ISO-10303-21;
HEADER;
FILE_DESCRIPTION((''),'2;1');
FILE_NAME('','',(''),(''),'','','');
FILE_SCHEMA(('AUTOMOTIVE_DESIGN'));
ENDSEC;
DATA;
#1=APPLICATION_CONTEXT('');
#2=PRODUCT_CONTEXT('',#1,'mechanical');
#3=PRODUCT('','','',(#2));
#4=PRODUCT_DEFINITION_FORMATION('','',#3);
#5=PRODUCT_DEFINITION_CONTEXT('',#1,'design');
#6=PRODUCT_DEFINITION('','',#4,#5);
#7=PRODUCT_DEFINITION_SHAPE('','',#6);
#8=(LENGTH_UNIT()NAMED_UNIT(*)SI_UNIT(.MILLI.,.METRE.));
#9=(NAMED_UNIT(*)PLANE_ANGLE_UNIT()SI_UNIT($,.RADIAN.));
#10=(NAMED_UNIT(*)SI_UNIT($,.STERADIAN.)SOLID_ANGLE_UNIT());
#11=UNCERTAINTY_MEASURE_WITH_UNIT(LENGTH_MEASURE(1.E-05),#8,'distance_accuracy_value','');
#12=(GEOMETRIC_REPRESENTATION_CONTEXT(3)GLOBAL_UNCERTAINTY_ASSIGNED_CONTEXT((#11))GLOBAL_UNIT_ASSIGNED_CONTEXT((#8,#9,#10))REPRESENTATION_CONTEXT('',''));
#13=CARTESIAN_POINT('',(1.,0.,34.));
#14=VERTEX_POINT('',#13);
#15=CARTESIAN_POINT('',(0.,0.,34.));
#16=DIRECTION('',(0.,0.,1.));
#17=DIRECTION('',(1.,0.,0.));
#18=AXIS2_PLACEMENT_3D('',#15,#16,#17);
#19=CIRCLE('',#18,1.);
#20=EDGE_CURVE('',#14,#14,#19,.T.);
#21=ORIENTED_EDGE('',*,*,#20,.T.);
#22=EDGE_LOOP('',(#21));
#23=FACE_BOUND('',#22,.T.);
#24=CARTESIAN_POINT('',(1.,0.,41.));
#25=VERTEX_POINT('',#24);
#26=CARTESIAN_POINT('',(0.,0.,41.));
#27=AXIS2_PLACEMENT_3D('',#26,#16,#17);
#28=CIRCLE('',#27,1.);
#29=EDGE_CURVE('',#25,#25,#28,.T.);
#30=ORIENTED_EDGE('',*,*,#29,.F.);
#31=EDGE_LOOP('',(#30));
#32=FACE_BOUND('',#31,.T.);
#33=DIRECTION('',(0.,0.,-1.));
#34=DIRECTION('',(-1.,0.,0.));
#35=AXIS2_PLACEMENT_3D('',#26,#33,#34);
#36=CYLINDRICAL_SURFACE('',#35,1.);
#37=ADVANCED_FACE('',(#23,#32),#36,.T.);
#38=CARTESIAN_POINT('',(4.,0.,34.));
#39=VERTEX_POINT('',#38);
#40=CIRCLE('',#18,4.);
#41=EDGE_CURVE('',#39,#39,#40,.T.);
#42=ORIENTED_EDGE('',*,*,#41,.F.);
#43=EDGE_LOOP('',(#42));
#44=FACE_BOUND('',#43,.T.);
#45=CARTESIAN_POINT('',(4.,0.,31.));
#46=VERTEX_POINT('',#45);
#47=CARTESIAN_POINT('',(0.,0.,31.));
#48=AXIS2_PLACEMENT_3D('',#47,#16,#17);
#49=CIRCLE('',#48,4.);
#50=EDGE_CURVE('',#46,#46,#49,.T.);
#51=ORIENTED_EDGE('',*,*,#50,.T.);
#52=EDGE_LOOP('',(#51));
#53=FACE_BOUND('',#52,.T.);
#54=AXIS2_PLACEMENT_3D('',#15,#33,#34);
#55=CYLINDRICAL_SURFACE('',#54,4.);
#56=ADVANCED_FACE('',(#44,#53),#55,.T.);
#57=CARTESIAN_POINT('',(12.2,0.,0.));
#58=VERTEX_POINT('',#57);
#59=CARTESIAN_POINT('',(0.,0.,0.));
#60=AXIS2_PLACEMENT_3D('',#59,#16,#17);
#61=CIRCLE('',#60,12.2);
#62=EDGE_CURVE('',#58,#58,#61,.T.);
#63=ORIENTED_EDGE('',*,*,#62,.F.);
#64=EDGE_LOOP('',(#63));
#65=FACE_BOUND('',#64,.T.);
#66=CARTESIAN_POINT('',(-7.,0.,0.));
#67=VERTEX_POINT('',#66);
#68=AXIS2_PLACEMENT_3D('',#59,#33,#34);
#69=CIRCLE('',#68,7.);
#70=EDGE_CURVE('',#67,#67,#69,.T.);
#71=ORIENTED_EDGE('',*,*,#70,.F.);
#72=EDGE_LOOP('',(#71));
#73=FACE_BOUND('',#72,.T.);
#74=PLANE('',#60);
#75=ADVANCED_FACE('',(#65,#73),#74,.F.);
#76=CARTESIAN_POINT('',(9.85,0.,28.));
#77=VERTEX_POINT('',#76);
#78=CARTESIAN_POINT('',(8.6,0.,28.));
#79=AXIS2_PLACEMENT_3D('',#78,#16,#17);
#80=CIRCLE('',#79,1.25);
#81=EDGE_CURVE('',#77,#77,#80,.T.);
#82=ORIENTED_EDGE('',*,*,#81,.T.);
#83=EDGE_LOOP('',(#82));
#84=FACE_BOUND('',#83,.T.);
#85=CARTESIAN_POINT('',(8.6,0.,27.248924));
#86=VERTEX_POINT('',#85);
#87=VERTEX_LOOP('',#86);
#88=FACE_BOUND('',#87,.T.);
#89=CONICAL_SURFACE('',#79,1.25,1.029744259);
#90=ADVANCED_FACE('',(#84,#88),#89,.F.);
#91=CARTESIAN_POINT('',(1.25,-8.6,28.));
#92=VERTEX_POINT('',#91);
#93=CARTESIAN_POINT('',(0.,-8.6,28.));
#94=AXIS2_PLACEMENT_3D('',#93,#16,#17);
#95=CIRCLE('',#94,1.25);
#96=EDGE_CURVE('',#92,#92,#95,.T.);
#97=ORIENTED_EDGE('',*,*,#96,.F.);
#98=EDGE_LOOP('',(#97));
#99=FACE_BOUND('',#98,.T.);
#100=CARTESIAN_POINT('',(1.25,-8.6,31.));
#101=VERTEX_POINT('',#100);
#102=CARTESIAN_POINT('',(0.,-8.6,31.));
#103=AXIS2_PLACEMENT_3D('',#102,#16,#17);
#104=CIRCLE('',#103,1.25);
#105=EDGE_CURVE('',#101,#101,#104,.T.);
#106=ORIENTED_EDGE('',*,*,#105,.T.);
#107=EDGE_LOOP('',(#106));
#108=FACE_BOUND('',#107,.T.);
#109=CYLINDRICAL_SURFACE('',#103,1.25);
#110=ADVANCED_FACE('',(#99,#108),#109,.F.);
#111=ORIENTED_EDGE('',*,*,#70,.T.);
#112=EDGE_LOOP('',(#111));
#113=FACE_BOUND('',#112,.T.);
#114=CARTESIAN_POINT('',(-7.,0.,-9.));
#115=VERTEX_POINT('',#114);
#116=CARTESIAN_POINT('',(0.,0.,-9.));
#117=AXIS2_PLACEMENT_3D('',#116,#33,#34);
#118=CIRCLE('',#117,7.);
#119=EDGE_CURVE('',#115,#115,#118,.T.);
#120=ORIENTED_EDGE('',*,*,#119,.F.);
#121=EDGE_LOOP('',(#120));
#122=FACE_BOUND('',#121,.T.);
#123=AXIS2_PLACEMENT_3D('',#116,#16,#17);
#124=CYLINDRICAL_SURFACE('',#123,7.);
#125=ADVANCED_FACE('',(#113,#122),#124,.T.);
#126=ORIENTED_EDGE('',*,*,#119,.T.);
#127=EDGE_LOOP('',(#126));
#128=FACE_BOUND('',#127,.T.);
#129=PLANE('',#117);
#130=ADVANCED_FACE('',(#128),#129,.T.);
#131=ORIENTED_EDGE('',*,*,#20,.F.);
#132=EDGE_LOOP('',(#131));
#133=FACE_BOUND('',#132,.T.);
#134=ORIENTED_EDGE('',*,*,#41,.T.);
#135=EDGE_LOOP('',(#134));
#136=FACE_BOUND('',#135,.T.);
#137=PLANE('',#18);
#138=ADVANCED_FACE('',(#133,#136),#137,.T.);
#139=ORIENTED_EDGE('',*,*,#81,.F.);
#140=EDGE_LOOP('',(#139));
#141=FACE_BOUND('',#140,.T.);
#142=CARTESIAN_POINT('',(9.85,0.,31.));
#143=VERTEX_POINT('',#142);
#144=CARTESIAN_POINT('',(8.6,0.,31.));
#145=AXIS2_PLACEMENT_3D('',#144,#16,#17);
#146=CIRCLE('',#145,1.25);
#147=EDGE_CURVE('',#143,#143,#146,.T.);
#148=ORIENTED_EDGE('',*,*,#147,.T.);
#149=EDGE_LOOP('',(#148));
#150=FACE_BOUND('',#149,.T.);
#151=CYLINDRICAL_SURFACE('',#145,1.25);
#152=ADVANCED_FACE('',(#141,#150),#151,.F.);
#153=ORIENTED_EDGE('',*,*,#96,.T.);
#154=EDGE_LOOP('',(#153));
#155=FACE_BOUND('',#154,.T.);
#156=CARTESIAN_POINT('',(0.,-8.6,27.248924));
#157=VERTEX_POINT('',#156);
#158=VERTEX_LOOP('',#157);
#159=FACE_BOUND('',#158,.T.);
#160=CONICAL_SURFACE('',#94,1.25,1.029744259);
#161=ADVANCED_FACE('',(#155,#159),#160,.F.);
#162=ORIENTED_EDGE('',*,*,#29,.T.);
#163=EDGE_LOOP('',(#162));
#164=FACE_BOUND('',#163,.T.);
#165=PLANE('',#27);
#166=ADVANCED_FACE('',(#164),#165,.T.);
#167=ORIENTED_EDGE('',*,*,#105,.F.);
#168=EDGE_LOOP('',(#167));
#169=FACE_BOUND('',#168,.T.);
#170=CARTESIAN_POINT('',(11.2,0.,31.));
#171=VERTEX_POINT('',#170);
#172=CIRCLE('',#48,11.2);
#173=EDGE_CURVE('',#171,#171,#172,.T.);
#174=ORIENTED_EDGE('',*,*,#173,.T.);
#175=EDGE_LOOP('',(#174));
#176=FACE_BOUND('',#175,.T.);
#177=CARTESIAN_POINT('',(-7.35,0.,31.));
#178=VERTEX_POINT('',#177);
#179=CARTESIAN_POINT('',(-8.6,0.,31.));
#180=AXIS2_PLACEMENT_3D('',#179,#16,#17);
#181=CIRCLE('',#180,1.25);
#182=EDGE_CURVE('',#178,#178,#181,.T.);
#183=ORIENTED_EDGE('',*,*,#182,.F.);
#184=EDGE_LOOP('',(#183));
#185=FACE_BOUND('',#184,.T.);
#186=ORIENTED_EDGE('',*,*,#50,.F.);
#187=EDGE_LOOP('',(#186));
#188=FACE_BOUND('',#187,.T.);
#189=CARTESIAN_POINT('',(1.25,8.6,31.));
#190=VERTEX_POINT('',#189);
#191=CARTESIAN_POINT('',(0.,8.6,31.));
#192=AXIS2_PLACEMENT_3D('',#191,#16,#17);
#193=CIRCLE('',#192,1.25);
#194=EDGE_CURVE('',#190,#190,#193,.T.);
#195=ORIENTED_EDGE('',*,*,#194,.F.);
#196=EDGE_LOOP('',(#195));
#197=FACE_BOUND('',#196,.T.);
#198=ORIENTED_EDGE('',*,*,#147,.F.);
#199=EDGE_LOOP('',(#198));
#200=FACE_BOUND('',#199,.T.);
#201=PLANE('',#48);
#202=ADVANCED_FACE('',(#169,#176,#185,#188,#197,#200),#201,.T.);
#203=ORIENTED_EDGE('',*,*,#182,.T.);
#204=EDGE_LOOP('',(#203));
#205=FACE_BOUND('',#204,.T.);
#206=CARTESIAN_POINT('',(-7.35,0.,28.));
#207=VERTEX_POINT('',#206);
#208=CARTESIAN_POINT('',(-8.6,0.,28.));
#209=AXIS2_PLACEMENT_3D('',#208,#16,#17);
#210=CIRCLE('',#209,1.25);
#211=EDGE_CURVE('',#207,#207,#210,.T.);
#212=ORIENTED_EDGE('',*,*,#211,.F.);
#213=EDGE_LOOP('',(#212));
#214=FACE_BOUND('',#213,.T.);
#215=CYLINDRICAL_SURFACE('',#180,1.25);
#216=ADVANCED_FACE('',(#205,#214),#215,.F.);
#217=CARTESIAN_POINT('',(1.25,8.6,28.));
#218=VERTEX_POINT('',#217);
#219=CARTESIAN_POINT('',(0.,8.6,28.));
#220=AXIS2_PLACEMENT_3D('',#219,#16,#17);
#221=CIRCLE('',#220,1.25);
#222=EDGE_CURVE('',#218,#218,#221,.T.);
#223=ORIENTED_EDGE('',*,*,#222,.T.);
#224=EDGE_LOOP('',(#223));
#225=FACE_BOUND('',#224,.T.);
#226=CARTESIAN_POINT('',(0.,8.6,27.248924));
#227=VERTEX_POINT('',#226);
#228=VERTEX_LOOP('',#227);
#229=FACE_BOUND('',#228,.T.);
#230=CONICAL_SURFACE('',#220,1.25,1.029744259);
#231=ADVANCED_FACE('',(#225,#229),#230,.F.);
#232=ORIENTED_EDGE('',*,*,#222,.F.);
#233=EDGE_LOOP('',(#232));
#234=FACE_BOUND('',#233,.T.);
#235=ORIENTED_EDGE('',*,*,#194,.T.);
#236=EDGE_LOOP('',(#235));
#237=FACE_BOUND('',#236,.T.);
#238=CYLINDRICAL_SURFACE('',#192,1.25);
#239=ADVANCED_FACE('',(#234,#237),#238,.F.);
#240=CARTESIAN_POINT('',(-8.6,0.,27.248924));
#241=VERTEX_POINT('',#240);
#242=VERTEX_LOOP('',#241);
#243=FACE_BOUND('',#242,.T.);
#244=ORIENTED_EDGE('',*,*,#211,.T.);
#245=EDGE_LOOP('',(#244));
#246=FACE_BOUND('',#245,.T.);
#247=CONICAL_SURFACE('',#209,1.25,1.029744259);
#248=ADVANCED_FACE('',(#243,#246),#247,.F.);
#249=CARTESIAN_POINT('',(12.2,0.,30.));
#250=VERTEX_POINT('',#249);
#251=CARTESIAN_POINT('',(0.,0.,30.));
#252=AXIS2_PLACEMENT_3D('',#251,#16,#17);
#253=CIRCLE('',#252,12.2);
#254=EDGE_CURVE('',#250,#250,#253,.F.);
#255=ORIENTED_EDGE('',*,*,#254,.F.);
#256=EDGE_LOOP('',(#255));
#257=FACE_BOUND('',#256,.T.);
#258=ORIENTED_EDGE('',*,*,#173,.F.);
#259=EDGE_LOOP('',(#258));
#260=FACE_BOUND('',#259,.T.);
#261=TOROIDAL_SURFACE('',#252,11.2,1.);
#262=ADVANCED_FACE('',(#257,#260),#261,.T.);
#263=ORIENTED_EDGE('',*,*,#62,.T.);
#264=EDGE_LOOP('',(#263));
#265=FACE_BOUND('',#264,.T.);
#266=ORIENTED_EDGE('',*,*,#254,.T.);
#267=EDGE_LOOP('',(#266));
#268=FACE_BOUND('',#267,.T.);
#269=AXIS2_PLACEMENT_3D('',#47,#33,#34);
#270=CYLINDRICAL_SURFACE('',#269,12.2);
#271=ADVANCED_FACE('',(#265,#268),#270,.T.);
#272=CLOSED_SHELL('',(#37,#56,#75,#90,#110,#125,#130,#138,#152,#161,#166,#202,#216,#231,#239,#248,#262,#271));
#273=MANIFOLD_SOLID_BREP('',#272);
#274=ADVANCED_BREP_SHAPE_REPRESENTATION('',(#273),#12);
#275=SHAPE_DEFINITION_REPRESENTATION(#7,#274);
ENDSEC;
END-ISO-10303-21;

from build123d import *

# Parameters (mm, degrees)
ESBO_O1_R                                   = 12.2
RESSALTO_EXTRUS_O1_DEPTH                    = 31
BROCA_DE_ROSQUEAR_PARA_TARRAXA_DE_M31_D     = 2.5
BROCA_DE_ROSQUEAR_PARA_TARRAXA_DE_M31_DEPTH = 3
BROCA_DE_ROSQUEAR_PARA_TARRAXA_DE_M31_TIP   = 0.751075774
ESBO_O5_R                                   = 4
RESSALTO_EXTRUS_O2_DEPTH                    = 3
ESBO_O6_R                                   = 1
RESSALTO_EXTRUS_O3_DEPTH                    = 7
ESBO_O7_R                                   = 7
RESSALTO_EXTRUS_O4_DEPTH                    = 9
FILETE1_R                                   = 1


with BuildPart() as part:
    # Esboço1 → Ressalto-extrusão1 (new body)
    with BuildSketch(Plane.XY):
        Circle(ESBO_O1_R)
    extrude(amount=RESSALTO_EXTRUS_O1_DEPTH)

    # Broca de rosquear para tarraxa de M31
    with Locations(Plane(origin=(-8.6, 0, 31), x_dir=(1, 0, 0), z_dir=(0, 0, 1))):
        with Locations((0, 0), (8.6, 8.6), (17.2, 0), (8.6, -8.6)):
            Hole(BROCA_DE_ROSQUEAR_PARA_TARRAXA_DE_M31_D / 2, depth=BROCA_DE_ROSQUEAR_PARA_TARRAXA_DE_M31_DEPTH)
            with Locations((0, 0, -(BROCA_DE_ROSQUEAR_PARA_TARRAXA_DE_M31_DEPTH + BROCA_DE_ROSQUEAR_PARA_TARRAXA_DE_M31_TIP / 2))):  # 118° drill point
                Cone(0, BROCA_DE_ROSQUEAR_PARA_TARRAXA_DE_M31_D / 2, BROCA_DE_ROSQUEAR_PARA_TARRAXA_DE_M31_TIP, mode=Mode.SUBTRACT)

    # Esboço5 → Ressalto-extrusão2 (add)
    with BuildSketch(Plane.XY.offset(31)):
        Circle(ESBO_O5_R)
    extrude(amount=RESSALTO_EXTRUS_O2_DEPTH)

    # Esboço6 → Ressalto-extrusão3 (add)
    with BuildSketch(Plane.XY.offset(34)):
        Circle(ESBO_O6_R)
    extrude(amount=RESSALTO_EXTRUS_O3_DEPTH)

    # Esboço7 → Ressalto-extrusão4 (add)
    with BuildSketch(Plane(origin=(0, 0, 0), x_dir=(-1, 0, 0), z_dir=(0, 0, -1))):
        Circle(ESBO_O7_R)
    extrude(amount=RESSALTO_EXTRUS_O4_DEPTH)

    # Filete1
    filete1_edges = [part.edges().sort_by_distance(p)[0] for p in [
        (-12.2, 0, 31),
    ]]
    fillet(filete1_edges, radius=FILETE1_R)


solid = part.part
